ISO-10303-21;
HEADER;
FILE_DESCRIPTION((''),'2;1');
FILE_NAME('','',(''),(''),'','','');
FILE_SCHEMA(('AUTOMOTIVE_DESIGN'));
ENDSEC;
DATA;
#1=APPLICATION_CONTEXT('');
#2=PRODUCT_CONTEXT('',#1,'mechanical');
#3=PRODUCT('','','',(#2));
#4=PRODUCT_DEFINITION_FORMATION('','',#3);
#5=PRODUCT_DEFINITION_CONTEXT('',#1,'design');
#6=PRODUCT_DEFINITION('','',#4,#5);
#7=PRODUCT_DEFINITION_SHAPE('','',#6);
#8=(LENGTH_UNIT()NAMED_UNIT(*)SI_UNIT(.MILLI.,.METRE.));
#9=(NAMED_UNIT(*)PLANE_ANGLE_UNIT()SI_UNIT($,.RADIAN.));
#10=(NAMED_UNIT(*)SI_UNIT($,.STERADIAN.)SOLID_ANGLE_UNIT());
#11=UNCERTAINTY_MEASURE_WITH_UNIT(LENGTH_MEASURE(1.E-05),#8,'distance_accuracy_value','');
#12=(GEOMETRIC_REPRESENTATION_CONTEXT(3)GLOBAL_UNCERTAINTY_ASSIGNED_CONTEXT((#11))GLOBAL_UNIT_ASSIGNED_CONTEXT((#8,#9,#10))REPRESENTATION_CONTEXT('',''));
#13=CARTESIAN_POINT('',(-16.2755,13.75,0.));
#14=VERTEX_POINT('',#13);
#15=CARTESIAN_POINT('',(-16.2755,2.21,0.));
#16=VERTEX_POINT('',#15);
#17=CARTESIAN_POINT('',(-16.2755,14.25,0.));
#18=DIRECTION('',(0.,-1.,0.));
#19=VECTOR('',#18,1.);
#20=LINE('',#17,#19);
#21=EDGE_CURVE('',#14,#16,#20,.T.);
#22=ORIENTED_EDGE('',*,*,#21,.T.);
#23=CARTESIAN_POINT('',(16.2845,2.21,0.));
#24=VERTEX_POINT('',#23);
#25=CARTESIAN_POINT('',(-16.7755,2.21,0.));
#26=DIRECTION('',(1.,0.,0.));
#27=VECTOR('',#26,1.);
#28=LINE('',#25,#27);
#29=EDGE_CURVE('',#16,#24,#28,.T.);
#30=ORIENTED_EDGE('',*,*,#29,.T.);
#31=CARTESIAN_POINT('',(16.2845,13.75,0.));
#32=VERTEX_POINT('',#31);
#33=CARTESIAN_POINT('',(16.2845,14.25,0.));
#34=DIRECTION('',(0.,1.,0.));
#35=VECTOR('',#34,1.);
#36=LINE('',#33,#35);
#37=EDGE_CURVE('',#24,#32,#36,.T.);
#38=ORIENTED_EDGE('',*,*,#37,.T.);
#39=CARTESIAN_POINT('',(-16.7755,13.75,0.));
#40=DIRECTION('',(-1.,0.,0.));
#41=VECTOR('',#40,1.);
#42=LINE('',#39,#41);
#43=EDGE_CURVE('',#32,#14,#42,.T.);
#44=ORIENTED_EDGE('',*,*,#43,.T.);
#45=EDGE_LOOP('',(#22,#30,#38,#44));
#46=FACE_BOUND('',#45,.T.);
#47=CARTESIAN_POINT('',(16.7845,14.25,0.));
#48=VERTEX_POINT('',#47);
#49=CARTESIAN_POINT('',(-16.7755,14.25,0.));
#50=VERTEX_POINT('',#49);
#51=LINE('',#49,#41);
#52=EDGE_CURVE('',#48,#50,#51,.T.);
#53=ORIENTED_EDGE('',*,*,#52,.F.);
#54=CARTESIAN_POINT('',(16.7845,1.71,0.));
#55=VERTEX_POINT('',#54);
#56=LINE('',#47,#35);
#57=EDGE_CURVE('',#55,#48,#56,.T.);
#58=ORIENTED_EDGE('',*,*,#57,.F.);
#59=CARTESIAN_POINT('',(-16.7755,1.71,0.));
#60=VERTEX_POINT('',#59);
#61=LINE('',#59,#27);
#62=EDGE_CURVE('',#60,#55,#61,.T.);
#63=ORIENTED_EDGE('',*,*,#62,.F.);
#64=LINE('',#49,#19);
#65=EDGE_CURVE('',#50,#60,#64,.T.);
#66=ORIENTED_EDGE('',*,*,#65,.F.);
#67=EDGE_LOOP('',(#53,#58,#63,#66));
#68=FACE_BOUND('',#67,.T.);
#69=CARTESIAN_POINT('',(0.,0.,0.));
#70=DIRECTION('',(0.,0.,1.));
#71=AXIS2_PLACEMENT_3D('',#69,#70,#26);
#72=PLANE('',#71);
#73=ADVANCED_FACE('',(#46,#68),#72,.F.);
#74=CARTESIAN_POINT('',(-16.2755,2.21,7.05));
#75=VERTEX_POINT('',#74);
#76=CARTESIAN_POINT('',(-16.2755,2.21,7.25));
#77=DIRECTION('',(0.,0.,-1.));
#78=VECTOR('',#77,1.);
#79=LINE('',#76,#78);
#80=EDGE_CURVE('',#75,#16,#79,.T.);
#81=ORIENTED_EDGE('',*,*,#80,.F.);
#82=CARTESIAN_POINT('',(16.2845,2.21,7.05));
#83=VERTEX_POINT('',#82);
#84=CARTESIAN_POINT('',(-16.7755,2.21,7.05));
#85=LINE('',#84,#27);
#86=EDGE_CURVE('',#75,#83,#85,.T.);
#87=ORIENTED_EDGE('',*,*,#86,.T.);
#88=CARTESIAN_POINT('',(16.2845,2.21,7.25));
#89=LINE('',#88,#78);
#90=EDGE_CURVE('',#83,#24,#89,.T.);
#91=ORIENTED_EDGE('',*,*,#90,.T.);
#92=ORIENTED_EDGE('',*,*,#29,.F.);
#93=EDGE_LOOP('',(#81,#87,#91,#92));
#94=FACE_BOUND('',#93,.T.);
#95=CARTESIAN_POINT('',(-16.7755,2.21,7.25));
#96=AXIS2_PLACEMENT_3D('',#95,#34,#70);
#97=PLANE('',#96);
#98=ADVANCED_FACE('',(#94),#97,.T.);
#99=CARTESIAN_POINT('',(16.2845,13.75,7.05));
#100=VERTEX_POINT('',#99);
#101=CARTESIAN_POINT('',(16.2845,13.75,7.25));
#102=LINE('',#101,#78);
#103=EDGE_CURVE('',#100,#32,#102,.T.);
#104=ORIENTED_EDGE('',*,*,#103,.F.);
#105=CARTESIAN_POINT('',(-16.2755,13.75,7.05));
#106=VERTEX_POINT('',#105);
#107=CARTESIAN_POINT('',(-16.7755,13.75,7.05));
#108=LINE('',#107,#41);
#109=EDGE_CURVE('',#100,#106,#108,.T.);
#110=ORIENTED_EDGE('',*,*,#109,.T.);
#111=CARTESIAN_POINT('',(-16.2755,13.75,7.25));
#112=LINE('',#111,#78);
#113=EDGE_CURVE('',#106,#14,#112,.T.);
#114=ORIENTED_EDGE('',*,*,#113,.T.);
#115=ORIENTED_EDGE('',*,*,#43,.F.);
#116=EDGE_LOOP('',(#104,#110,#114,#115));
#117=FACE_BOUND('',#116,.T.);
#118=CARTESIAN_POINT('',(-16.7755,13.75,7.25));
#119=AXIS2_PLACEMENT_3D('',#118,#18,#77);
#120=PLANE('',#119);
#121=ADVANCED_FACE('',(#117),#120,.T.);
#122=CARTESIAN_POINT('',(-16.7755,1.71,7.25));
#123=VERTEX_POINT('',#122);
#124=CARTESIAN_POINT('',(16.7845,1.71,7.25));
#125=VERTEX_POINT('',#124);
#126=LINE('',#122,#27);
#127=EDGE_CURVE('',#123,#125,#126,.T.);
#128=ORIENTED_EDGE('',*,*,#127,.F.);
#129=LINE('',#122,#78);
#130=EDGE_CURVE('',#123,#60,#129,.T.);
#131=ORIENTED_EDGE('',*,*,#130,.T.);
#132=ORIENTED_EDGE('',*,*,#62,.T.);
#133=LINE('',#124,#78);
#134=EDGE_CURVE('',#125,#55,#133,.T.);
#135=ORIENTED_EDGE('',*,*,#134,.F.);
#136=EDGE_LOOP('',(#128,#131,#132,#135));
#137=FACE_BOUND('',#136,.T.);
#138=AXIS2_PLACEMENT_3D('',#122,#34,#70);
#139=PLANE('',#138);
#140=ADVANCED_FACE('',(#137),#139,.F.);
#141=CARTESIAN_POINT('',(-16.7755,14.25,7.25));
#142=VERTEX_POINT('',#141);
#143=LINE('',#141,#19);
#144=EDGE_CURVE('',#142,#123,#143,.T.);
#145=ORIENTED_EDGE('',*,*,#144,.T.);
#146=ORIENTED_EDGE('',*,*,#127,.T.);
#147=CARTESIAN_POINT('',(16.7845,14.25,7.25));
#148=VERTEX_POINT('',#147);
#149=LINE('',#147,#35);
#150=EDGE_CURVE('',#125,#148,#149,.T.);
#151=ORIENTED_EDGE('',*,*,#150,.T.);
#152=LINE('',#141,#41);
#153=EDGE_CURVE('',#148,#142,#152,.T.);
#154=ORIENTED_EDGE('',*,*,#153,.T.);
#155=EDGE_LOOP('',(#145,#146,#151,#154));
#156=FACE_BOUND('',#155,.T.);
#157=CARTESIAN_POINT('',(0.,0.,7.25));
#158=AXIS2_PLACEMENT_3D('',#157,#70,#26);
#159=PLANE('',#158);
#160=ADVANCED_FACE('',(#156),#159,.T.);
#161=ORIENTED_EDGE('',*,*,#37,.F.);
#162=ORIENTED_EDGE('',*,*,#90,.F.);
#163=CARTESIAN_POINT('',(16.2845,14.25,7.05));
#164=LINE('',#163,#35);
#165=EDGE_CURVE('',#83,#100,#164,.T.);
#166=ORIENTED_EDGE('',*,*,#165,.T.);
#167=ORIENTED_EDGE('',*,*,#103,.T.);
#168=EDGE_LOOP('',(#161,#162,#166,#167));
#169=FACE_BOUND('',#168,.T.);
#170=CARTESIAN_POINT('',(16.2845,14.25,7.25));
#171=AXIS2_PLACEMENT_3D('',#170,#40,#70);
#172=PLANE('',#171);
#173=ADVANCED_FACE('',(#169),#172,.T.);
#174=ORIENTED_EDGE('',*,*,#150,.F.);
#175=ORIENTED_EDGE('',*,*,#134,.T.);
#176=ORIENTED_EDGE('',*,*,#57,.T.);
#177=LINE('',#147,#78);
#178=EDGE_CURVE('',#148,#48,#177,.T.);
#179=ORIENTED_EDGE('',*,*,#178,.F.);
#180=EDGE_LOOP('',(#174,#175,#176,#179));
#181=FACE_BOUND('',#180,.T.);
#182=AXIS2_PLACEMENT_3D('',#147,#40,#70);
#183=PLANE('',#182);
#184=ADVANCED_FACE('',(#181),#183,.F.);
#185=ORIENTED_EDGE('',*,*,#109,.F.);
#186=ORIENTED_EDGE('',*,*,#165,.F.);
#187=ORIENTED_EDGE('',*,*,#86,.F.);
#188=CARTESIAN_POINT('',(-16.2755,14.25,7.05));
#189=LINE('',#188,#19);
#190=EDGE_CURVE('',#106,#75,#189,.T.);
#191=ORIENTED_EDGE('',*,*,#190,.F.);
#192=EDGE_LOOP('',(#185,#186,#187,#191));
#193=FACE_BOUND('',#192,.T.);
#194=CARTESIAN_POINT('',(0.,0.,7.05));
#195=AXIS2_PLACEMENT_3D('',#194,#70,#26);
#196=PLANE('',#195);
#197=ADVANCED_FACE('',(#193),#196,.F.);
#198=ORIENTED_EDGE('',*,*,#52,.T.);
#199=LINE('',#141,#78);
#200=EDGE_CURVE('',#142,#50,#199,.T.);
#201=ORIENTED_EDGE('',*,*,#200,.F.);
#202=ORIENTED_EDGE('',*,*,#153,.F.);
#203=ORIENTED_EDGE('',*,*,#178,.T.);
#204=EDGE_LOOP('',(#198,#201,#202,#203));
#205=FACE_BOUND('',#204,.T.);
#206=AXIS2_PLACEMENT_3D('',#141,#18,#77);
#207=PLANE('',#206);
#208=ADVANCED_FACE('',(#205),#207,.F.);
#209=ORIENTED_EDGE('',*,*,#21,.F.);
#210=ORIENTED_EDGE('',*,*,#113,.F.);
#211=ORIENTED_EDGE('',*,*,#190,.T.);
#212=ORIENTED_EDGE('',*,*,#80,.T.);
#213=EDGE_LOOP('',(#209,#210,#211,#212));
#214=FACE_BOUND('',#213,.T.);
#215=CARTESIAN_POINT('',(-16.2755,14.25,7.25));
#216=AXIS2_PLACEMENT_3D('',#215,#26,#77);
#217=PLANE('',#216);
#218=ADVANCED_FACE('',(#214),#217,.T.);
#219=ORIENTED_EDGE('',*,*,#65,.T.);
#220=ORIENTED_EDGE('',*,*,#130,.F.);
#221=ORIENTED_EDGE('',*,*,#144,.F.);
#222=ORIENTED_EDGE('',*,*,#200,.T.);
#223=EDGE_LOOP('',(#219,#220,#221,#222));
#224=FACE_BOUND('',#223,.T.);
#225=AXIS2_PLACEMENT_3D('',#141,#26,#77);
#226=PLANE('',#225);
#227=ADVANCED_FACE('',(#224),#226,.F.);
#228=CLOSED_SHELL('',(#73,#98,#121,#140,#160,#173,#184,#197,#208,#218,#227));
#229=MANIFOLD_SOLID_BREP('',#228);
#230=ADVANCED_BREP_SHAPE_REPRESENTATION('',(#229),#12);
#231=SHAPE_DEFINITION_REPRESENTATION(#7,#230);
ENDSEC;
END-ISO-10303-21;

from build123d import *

# Parameters (mm, degrees)
SKETCH1_W                 = 33.56
SKETCH1_H                 = 12.54
BOSS_EXTRUDE1_DEPTH       = 7.25
SHELL1_T                  = -0.5
SHELL1_THICKNESS_2_FACE_W = 32.56
SHELL1_THICKNESS_2_FACE_H = 11.54
SHELL1_THICKNESS_2_DEPTH  = 0.3


with BuildPart() as part:
    # Sketch1 → Boss-Extrude1 (new body)
    with BuildSketch(Plane.XY):
        with Locations((0.0045, 7.98)):
            Rectangle(SKETCH1_W, SKETCH1_H)
    extrude(amount=BOSS_EXTRUDE1_DEPTH)

    # Shell1
    shell1_openings = [part.faces().sort_by_distance(p)[0] for p in [
        (0.0045, 7.98, 0),
    ]]
    offset(amount=SHELL1_T, openings=shell1_openings, kind=Kind.INTERSECTION)

    # Shell1 thickness 2 face (on inner face of the shell) → Shell1 thickness 2 (cut)
    with BuildSketch(Plane(origin=(0.0045, 7.98, 6.75), x_dir=(1, 0, 0), z_dir=(0, 0, 1))):
        Rectangle(SHELL1_THICKNESS_2_FACE_W, SHELL1_THICKNESS_2_FACE_H)
    extrude(amount=SHELL1_THICKNESS_2_DEPTH, mode=Mode.SUBTRACT)


solid = part.part
